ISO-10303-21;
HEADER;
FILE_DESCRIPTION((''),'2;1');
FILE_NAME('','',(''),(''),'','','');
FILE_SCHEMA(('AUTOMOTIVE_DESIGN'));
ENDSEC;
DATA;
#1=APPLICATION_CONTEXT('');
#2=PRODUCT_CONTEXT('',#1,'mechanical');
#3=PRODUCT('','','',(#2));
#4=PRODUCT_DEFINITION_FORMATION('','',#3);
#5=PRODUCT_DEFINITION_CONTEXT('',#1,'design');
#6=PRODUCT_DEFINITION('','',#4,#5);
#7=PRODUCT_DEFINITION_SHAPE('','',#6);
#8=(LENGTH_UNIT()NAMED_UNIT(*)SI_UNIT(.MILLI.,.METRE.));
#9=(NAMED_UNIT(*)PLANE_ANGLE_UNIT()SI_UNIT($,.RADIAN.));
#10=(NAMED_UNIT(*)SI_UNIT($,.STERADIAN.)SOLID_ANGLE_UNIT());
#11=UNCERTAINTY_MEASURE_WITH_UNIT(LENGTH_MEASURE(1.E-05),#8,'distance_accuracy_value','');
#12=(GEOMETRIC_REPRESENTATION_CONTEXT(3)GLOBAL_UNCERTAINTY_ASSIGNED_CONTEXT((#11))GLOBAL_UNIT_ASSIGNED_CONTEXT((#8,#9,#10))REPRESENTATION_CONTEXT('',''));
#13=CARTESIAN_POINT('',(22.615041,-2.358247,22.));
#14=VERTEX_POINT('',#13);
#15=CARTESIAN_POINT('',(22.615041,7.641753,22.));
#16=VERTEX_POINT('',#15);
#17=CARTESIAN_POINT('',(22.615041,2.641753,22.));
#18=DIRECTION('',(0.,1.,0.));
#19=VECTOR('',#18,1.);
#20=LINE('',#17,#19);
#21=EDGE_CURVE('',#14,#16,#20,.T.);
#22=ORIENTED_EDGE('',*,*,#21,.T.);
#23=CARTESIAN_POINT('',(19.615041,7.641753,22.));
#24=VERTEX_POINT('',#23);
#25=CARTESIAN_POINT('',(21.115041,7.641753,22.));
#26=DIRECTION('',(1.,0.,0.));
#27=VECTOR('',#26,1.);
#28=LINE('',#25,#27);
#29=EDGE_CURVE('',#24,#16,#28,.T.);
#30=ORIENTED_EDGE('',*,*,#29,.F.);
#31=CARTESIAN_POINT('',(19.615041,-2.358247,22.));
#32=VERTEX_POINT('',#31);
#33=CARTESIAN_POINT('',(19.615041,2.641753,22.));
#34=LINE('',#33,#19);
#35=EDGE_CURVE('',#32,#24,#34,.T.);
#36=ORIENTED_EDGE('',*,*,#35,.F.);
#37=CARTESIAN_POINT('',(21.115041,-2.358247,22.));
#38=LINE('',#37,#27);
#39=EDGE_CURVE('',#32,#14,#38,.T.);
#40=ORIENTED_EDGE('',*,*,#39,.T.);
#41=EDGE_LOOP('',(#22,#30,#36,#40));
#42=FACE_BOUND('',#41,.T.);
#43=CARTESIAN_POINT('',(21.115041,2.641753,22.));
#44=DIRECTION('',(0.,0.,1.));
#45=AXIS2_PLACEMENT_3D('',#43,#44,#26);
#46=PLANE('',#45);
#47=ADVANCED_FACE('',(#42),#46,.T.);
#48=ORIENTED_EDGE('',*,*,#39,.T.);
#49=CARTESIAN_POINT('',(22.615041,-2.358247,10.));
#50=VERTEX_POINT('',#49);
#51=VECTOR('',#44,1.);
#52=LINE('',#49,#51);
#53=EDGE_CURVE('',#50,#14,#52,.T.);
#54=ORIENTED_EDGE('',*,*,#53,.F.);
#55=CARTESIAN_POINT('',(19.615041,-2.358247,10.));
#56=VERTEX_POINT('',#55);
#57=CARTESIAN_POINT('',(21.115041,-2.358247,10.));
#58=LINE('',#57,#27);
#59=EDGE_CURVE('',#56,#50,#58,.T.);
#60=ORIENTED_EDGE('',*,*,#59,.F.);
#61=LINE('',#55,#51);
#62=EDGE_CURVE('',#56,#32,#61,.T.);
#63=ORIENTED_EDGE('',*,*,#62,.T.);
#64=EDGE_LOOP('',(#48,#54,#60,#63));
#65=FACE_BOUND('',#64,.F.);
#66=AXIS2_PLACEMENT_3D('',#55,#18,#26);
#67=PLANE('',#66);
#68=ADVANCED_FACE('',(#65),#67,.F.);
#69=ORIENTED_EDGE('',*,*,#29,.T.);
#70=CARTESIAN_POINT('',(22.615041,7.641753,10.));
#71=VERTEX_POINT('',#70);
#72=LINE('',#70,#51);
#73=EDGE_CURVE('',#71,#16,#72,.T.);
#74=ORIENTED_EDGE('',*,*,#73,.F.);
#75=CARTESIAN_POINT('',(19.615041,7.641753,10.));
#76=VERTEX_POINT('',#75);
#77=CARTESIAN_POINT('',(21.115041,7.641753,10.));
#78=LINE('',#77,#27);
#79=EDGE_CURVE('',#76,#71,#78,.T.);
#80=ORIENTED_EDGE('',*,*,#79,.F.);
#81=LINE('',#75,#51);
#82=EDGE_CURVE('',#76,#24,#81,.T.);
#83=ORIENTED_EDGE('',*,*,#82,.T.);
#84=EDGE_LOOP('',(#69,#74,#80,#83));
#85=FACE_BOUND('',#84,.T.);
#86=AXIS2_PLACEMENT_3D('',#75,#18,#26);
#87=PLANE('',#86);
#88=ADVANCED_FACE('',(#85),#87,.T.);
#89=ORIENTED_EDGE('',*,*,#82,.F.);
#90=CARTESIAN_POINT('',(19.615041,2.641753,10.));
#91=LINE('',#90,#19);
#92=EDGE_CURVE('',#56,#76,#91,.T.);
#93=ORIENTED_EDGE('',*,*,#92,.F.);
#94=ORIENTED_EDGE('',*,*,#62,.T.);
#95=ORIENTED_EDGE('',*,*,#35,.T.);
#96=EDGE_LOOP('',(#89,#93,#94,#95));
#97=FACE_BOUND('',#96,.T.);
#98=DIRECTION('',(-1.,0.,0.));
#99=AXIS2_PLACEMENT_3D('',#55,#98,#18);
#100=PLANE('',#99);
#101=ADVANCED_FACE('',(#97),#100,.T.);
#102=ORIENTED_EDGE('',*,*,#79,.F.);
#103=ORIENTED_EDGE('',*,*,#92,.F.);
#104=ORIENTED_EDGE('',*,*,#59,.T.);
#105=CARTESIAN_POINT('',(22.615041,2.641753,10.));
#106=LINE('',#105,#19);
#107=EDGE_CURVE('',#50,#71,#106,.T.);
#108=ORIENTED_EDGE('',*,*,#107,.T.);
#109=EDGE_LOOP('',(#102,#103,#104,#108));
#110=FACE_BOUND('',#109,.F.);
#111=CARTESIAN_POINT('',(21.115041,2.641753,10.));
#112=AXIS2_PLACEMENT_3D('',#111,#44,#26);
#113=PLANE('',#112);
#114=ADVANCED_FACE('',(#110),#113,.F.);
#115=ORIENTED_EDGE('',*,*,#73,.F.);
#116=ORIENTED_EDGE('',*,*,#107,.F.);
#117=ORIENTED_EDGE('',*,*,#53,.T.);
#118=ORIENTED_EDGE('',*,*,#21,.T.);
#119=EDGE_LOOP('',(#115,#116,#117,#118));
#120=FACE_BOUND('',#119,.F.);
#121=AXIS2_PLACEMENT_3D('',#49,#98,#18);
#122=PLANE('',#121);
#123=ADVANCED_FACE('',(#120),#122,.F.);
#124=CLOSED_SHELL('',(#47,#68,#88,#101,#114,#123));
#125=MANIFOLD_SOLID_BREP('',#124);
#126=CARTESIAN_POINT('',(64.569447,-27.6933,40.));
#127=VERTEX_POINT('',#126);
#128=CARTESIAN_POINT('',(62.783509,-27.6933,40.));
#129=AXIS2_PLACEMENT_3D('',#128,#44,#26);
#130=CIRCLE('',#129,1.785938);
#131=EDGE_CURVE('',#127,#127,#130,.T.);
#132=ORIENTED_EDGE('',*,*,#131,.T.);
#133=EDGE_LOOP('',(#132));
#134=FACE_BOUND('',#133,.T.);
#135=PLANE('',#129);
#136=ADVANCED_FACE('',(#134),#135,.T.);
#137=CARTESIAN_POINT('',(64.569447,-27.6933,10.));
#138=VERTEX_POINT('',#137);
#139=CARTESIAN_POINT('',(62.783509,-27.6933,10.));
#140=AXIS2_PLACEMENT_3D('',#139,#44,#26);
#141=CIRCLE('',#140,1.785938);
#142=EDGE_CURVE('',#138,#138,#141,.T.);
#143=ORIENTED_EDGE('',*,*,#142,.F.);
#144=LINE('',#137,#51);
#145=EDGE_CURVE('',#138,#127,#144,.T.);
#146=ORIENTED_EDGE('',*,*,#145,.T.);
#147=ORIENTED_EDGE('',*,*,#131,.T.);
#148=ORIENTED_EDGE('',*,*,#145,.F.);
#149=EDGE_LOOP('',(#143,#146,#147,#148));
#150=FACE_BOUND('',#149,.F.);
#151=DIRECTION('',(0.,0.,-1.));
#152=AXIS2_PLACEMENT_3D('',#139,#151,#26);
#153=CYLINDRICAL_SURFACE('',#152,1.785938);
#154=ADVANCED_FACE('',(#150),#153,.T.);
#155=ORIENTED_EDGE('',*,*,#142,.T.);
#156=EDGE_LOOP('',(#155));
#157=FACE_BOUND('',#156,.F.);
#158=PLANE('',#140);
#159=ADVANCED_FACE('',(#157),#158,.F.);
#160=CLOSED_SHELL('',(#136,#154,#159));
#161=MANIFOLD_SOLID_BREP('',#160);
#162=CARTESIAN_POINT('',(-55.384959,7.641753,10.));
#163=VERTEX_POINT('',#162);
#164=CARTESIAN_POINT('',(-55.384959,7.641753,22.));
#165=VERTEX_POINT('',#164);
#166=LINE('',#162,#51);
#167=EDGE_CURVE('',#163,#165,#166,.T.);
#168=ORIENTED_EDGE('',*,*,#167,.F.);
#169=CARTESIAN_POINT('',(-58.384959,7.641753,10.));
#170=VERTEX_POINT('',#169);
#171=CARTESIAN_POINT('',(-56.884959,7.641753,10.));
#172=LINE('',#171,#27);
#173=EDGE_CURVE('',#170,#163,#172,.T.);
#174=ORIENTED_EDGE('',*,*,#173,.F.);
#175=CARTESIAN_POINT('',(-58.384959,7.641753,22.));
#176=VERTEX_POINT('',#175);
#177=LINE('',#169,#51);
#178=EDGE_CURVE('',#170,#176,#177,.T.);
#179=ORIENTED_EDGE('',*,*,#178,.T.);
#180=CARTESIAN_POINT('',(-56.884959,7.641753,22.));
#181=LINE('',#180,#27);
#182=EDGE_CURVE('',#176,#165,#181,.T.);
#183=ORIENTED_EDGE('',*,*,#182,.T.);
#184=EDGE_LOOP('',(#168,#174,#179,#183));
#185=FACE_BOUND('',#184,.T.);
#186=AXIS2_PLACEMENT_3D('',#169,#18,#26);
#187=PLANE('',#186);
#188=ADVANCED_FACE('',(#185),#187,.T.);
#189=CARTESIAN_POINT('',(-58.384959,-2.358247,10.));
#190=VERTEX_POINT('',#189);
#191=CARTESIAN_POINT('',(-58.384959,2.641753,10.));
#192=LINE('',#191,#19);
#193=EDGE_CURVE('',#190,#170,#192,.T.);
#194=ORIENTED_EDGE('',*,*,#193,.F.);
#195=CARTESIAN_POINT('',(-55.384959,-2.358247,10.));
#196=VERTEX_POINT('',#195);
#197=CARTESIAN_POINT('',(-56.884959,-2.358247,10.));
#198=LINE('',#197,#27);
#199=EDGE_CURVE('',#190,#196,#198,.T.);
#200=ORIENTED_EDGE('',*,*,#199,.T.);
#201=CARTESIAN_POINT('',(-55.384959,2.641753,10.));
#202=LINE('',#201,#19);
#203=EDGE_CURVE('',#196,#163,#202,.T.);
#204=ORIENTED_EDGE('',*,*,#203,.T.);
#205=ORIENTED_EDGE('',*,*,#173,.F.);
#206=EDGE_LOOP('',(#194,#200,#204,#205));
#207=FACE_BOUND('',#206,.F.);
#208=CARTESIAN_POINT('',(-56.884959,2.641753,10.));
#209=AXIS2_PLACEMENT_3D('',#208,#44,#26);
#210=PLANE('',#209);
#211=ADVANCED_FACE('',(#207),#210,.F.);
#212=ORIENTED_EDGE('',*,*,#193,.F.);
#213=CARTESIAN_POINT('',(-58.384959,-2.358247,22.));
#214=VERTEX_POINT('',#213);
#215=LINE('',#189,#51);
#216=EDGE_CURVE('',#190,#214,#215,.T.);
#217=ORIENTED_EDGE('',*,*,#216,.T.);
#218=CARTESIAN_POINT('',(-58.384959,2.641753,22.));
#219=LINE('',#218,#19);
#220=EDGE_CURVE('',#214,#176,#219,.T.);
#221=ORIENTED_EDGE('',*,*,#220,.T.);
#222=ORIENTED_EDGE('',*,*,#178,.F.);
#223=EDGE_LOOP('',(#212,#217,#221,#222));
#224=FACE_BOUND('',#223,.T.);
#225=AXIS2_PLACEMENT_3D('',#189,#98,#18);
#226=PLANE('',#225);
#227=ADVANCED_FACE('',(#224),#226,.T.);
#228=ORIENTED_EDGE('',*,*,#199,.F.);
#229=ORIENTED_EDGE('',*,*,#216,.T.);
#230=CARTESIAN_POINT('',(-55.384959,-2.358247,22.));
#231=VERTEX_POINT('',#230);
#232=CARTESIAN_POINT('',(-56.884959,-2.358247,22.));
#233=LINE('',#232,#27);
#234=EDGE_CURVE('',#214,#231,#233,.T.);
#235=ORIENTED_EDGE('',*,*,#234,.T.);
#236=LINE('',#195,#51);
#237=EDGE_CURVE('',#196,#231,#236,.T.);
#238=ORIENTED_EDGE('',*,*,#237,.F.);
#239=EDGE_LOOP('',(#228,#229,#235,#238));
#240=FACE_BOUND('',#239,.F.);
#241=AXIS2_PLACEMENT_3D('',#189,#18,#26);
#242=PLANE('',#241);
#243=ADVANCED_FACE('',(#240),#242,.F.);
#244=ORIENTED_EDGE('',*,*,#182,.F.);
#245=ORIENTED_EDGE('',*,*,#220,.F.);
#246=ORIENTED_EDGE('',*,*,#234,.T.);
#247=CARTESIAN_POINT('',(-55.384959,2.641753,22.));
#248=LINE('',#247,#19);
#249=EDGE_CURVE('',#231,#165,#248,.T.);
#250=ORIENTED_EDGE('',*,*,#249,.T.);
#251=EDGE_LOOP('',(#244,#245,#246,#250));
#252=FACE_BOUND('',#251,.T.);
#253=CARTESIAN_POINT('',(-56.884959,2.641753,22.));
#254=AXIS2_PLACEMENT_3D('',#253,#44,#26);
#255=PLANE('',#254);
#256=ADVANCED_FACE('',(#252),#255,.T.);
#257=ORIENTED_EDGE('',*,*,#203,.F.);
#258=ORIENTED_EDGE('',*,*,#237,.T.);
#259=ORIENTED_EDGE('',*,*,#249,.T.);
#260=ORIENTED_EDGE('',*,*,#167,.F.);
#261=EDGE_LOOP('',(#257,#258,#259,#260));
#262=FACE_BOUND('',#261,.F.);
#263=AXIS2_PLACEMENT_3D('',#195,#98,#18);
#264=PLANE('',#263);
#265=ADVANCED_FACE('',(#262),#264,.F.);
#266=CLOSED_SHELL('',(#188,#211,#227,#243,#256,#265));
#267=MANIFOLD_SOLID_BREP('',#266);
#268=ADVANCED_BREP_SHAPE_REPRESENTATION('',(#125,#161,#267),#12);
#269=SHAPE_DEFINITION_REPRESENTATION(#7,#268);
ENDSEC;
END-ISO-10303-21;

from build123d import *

# Parameters (mm, degrees)
F2_W     = 3
F2_H     = 10
F3_DEPTH = 12
F4_R     = 1.785938
F5_DEPTH = 30


with BuildPart() as f3:
    # F2 (on offset) → F3 (new body)
    with BuildSketch(Plane.XY.offset(10)):
        with Locations((21.115041, 2.641753)):
            Rectangle(F2_W, F2_H)
        with Locations((-56.884959, 2.641753)):
            Rectangle(F2_W, F2_H)
    extrude(amount=F3_DEPTH)


with BuildPart() as f5:
    # F4 (on offset) → F5 (new body)
    with BuildSketch(Plane.XY.offset(10)):
        with Locations((62.783509, -27.6933)):
            Circle(F4_R)
    extrude(amount=F5_DEPTH)


solid = Compound([f3.part, f5.part])
